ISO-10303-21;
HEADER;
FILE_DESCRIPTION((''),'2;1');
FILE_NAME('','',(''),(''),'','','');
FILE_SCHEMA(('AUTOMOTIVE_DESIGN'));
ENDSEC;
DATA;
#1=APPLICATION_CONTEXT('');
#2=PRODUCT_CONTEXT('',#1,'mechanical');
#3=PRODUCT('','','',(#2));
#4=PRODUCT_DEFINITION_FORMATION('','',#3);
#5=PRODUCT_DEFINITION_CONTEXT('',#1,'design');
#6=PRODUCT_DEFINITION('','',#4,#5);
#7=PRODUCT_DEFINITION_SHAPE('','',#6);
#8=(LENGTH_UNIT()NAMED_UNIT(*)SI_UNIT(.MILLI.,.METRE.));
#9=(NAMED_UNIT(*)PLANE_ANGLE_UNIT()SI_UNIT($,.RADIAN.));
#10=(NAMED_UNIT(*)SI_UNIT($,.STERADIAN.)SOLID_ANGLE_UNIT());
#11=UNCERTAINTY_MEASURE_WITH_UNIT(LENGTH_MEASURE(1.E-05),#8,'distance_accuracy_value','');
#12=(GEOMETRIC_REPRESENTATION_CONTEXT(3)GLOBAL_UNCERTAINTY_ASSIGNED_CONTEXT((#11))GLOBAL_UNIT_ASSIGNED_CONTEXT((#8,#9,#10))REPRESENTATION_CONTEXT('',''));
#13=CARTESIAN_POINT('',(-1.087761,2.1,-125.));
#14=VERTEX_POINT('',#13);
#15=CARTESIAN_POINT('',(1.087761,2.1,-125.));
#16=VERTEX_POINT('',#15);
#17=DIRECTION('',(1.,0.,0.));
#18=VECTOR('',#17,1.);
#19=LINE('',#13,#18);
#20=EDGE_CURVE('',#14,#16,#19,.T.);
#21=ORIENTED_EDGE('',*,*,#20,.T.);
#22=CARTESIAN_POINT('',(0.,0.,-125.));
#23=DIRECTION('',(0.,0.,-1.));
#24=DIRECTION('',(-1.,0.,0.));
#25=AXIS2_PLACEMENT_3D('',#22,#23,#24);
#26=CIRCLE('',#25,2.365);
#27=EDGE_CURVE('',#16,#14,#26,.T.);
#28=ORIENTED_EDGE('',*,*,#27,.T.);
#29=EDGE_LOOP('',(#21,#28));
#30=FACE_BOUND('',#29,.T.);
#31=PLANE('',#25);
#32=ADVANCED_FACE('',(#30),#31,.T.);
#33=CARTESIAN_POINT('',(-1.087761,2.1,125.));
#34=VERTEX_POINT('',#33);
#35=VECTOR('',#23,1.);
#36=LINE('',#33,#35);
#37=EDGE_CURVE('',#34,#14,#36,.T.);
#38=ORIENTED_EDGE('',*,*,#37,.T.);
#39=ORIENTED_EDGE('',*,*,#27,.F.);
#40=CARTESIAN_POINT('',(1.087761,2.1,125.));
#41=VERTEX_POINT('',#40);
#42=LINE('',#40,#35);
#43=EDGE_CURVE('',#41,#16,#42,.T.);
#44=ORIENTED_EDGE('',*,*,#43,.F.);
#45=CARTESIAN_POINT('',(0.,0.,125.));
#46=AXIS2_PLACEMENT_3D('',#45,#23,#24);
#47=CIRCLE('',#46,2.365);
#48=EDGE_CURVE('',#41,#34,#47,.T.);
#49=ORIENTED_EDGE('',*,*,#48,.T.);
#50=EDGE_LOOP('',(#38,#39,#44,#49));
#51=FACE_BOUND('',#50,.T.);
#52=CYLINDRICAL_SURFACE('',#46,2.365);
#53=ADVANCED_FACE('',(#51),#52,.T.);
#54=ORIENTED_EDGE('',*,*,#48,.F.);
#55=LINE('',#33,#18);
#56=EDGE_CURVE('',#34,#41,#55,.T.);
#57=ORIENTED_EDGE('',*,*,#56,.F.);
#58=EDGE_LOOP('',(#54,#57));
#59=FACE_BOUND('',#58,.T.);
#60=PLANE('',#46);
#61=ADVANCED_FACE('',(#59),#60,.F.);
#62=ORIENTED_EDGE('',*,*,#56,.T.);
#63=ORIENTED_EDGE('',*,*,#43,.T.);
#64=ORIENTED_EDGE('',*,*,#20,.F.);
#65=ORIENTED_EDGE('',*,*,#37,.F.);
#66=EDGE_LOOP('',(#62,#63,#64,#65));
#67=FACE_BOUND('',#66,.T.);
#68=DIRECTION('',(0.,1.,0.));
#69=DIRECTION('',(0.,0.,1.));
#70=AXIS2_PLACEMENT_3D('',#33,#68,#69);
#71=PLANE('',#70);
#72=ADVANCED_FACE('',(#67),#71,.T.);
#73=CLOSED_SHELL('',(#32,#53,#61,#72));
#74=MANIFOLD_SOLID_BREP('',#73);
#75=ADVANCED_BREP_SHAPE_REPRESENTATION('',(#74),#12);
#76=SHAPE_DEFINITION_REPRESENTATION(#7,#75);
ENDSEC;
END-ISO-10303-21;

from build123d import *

# Parameters (mm, degrees)
BOSS_EXTRUDE1_DEPTH = 250


with BuildPart() as part:
    # Sketch1 → Boss-Extrude1 (new body)
    with BuildSketch(Plane(origin=(0, 0, -125), x_dir=(-1, 0, 0), z_dir=(0, 0, -1))):
        with BuildLine():
            Line((1.087761463, 2.1), (-1.087761463, 2.1))
            ThreePointArc((-1.087761463, 2.1), (0, -2.365), (1.087761463, 2.1))
        make_face()
    extrude(amount=-BOSS_EXTRUDE1_DEPTH)


solid = part.part
